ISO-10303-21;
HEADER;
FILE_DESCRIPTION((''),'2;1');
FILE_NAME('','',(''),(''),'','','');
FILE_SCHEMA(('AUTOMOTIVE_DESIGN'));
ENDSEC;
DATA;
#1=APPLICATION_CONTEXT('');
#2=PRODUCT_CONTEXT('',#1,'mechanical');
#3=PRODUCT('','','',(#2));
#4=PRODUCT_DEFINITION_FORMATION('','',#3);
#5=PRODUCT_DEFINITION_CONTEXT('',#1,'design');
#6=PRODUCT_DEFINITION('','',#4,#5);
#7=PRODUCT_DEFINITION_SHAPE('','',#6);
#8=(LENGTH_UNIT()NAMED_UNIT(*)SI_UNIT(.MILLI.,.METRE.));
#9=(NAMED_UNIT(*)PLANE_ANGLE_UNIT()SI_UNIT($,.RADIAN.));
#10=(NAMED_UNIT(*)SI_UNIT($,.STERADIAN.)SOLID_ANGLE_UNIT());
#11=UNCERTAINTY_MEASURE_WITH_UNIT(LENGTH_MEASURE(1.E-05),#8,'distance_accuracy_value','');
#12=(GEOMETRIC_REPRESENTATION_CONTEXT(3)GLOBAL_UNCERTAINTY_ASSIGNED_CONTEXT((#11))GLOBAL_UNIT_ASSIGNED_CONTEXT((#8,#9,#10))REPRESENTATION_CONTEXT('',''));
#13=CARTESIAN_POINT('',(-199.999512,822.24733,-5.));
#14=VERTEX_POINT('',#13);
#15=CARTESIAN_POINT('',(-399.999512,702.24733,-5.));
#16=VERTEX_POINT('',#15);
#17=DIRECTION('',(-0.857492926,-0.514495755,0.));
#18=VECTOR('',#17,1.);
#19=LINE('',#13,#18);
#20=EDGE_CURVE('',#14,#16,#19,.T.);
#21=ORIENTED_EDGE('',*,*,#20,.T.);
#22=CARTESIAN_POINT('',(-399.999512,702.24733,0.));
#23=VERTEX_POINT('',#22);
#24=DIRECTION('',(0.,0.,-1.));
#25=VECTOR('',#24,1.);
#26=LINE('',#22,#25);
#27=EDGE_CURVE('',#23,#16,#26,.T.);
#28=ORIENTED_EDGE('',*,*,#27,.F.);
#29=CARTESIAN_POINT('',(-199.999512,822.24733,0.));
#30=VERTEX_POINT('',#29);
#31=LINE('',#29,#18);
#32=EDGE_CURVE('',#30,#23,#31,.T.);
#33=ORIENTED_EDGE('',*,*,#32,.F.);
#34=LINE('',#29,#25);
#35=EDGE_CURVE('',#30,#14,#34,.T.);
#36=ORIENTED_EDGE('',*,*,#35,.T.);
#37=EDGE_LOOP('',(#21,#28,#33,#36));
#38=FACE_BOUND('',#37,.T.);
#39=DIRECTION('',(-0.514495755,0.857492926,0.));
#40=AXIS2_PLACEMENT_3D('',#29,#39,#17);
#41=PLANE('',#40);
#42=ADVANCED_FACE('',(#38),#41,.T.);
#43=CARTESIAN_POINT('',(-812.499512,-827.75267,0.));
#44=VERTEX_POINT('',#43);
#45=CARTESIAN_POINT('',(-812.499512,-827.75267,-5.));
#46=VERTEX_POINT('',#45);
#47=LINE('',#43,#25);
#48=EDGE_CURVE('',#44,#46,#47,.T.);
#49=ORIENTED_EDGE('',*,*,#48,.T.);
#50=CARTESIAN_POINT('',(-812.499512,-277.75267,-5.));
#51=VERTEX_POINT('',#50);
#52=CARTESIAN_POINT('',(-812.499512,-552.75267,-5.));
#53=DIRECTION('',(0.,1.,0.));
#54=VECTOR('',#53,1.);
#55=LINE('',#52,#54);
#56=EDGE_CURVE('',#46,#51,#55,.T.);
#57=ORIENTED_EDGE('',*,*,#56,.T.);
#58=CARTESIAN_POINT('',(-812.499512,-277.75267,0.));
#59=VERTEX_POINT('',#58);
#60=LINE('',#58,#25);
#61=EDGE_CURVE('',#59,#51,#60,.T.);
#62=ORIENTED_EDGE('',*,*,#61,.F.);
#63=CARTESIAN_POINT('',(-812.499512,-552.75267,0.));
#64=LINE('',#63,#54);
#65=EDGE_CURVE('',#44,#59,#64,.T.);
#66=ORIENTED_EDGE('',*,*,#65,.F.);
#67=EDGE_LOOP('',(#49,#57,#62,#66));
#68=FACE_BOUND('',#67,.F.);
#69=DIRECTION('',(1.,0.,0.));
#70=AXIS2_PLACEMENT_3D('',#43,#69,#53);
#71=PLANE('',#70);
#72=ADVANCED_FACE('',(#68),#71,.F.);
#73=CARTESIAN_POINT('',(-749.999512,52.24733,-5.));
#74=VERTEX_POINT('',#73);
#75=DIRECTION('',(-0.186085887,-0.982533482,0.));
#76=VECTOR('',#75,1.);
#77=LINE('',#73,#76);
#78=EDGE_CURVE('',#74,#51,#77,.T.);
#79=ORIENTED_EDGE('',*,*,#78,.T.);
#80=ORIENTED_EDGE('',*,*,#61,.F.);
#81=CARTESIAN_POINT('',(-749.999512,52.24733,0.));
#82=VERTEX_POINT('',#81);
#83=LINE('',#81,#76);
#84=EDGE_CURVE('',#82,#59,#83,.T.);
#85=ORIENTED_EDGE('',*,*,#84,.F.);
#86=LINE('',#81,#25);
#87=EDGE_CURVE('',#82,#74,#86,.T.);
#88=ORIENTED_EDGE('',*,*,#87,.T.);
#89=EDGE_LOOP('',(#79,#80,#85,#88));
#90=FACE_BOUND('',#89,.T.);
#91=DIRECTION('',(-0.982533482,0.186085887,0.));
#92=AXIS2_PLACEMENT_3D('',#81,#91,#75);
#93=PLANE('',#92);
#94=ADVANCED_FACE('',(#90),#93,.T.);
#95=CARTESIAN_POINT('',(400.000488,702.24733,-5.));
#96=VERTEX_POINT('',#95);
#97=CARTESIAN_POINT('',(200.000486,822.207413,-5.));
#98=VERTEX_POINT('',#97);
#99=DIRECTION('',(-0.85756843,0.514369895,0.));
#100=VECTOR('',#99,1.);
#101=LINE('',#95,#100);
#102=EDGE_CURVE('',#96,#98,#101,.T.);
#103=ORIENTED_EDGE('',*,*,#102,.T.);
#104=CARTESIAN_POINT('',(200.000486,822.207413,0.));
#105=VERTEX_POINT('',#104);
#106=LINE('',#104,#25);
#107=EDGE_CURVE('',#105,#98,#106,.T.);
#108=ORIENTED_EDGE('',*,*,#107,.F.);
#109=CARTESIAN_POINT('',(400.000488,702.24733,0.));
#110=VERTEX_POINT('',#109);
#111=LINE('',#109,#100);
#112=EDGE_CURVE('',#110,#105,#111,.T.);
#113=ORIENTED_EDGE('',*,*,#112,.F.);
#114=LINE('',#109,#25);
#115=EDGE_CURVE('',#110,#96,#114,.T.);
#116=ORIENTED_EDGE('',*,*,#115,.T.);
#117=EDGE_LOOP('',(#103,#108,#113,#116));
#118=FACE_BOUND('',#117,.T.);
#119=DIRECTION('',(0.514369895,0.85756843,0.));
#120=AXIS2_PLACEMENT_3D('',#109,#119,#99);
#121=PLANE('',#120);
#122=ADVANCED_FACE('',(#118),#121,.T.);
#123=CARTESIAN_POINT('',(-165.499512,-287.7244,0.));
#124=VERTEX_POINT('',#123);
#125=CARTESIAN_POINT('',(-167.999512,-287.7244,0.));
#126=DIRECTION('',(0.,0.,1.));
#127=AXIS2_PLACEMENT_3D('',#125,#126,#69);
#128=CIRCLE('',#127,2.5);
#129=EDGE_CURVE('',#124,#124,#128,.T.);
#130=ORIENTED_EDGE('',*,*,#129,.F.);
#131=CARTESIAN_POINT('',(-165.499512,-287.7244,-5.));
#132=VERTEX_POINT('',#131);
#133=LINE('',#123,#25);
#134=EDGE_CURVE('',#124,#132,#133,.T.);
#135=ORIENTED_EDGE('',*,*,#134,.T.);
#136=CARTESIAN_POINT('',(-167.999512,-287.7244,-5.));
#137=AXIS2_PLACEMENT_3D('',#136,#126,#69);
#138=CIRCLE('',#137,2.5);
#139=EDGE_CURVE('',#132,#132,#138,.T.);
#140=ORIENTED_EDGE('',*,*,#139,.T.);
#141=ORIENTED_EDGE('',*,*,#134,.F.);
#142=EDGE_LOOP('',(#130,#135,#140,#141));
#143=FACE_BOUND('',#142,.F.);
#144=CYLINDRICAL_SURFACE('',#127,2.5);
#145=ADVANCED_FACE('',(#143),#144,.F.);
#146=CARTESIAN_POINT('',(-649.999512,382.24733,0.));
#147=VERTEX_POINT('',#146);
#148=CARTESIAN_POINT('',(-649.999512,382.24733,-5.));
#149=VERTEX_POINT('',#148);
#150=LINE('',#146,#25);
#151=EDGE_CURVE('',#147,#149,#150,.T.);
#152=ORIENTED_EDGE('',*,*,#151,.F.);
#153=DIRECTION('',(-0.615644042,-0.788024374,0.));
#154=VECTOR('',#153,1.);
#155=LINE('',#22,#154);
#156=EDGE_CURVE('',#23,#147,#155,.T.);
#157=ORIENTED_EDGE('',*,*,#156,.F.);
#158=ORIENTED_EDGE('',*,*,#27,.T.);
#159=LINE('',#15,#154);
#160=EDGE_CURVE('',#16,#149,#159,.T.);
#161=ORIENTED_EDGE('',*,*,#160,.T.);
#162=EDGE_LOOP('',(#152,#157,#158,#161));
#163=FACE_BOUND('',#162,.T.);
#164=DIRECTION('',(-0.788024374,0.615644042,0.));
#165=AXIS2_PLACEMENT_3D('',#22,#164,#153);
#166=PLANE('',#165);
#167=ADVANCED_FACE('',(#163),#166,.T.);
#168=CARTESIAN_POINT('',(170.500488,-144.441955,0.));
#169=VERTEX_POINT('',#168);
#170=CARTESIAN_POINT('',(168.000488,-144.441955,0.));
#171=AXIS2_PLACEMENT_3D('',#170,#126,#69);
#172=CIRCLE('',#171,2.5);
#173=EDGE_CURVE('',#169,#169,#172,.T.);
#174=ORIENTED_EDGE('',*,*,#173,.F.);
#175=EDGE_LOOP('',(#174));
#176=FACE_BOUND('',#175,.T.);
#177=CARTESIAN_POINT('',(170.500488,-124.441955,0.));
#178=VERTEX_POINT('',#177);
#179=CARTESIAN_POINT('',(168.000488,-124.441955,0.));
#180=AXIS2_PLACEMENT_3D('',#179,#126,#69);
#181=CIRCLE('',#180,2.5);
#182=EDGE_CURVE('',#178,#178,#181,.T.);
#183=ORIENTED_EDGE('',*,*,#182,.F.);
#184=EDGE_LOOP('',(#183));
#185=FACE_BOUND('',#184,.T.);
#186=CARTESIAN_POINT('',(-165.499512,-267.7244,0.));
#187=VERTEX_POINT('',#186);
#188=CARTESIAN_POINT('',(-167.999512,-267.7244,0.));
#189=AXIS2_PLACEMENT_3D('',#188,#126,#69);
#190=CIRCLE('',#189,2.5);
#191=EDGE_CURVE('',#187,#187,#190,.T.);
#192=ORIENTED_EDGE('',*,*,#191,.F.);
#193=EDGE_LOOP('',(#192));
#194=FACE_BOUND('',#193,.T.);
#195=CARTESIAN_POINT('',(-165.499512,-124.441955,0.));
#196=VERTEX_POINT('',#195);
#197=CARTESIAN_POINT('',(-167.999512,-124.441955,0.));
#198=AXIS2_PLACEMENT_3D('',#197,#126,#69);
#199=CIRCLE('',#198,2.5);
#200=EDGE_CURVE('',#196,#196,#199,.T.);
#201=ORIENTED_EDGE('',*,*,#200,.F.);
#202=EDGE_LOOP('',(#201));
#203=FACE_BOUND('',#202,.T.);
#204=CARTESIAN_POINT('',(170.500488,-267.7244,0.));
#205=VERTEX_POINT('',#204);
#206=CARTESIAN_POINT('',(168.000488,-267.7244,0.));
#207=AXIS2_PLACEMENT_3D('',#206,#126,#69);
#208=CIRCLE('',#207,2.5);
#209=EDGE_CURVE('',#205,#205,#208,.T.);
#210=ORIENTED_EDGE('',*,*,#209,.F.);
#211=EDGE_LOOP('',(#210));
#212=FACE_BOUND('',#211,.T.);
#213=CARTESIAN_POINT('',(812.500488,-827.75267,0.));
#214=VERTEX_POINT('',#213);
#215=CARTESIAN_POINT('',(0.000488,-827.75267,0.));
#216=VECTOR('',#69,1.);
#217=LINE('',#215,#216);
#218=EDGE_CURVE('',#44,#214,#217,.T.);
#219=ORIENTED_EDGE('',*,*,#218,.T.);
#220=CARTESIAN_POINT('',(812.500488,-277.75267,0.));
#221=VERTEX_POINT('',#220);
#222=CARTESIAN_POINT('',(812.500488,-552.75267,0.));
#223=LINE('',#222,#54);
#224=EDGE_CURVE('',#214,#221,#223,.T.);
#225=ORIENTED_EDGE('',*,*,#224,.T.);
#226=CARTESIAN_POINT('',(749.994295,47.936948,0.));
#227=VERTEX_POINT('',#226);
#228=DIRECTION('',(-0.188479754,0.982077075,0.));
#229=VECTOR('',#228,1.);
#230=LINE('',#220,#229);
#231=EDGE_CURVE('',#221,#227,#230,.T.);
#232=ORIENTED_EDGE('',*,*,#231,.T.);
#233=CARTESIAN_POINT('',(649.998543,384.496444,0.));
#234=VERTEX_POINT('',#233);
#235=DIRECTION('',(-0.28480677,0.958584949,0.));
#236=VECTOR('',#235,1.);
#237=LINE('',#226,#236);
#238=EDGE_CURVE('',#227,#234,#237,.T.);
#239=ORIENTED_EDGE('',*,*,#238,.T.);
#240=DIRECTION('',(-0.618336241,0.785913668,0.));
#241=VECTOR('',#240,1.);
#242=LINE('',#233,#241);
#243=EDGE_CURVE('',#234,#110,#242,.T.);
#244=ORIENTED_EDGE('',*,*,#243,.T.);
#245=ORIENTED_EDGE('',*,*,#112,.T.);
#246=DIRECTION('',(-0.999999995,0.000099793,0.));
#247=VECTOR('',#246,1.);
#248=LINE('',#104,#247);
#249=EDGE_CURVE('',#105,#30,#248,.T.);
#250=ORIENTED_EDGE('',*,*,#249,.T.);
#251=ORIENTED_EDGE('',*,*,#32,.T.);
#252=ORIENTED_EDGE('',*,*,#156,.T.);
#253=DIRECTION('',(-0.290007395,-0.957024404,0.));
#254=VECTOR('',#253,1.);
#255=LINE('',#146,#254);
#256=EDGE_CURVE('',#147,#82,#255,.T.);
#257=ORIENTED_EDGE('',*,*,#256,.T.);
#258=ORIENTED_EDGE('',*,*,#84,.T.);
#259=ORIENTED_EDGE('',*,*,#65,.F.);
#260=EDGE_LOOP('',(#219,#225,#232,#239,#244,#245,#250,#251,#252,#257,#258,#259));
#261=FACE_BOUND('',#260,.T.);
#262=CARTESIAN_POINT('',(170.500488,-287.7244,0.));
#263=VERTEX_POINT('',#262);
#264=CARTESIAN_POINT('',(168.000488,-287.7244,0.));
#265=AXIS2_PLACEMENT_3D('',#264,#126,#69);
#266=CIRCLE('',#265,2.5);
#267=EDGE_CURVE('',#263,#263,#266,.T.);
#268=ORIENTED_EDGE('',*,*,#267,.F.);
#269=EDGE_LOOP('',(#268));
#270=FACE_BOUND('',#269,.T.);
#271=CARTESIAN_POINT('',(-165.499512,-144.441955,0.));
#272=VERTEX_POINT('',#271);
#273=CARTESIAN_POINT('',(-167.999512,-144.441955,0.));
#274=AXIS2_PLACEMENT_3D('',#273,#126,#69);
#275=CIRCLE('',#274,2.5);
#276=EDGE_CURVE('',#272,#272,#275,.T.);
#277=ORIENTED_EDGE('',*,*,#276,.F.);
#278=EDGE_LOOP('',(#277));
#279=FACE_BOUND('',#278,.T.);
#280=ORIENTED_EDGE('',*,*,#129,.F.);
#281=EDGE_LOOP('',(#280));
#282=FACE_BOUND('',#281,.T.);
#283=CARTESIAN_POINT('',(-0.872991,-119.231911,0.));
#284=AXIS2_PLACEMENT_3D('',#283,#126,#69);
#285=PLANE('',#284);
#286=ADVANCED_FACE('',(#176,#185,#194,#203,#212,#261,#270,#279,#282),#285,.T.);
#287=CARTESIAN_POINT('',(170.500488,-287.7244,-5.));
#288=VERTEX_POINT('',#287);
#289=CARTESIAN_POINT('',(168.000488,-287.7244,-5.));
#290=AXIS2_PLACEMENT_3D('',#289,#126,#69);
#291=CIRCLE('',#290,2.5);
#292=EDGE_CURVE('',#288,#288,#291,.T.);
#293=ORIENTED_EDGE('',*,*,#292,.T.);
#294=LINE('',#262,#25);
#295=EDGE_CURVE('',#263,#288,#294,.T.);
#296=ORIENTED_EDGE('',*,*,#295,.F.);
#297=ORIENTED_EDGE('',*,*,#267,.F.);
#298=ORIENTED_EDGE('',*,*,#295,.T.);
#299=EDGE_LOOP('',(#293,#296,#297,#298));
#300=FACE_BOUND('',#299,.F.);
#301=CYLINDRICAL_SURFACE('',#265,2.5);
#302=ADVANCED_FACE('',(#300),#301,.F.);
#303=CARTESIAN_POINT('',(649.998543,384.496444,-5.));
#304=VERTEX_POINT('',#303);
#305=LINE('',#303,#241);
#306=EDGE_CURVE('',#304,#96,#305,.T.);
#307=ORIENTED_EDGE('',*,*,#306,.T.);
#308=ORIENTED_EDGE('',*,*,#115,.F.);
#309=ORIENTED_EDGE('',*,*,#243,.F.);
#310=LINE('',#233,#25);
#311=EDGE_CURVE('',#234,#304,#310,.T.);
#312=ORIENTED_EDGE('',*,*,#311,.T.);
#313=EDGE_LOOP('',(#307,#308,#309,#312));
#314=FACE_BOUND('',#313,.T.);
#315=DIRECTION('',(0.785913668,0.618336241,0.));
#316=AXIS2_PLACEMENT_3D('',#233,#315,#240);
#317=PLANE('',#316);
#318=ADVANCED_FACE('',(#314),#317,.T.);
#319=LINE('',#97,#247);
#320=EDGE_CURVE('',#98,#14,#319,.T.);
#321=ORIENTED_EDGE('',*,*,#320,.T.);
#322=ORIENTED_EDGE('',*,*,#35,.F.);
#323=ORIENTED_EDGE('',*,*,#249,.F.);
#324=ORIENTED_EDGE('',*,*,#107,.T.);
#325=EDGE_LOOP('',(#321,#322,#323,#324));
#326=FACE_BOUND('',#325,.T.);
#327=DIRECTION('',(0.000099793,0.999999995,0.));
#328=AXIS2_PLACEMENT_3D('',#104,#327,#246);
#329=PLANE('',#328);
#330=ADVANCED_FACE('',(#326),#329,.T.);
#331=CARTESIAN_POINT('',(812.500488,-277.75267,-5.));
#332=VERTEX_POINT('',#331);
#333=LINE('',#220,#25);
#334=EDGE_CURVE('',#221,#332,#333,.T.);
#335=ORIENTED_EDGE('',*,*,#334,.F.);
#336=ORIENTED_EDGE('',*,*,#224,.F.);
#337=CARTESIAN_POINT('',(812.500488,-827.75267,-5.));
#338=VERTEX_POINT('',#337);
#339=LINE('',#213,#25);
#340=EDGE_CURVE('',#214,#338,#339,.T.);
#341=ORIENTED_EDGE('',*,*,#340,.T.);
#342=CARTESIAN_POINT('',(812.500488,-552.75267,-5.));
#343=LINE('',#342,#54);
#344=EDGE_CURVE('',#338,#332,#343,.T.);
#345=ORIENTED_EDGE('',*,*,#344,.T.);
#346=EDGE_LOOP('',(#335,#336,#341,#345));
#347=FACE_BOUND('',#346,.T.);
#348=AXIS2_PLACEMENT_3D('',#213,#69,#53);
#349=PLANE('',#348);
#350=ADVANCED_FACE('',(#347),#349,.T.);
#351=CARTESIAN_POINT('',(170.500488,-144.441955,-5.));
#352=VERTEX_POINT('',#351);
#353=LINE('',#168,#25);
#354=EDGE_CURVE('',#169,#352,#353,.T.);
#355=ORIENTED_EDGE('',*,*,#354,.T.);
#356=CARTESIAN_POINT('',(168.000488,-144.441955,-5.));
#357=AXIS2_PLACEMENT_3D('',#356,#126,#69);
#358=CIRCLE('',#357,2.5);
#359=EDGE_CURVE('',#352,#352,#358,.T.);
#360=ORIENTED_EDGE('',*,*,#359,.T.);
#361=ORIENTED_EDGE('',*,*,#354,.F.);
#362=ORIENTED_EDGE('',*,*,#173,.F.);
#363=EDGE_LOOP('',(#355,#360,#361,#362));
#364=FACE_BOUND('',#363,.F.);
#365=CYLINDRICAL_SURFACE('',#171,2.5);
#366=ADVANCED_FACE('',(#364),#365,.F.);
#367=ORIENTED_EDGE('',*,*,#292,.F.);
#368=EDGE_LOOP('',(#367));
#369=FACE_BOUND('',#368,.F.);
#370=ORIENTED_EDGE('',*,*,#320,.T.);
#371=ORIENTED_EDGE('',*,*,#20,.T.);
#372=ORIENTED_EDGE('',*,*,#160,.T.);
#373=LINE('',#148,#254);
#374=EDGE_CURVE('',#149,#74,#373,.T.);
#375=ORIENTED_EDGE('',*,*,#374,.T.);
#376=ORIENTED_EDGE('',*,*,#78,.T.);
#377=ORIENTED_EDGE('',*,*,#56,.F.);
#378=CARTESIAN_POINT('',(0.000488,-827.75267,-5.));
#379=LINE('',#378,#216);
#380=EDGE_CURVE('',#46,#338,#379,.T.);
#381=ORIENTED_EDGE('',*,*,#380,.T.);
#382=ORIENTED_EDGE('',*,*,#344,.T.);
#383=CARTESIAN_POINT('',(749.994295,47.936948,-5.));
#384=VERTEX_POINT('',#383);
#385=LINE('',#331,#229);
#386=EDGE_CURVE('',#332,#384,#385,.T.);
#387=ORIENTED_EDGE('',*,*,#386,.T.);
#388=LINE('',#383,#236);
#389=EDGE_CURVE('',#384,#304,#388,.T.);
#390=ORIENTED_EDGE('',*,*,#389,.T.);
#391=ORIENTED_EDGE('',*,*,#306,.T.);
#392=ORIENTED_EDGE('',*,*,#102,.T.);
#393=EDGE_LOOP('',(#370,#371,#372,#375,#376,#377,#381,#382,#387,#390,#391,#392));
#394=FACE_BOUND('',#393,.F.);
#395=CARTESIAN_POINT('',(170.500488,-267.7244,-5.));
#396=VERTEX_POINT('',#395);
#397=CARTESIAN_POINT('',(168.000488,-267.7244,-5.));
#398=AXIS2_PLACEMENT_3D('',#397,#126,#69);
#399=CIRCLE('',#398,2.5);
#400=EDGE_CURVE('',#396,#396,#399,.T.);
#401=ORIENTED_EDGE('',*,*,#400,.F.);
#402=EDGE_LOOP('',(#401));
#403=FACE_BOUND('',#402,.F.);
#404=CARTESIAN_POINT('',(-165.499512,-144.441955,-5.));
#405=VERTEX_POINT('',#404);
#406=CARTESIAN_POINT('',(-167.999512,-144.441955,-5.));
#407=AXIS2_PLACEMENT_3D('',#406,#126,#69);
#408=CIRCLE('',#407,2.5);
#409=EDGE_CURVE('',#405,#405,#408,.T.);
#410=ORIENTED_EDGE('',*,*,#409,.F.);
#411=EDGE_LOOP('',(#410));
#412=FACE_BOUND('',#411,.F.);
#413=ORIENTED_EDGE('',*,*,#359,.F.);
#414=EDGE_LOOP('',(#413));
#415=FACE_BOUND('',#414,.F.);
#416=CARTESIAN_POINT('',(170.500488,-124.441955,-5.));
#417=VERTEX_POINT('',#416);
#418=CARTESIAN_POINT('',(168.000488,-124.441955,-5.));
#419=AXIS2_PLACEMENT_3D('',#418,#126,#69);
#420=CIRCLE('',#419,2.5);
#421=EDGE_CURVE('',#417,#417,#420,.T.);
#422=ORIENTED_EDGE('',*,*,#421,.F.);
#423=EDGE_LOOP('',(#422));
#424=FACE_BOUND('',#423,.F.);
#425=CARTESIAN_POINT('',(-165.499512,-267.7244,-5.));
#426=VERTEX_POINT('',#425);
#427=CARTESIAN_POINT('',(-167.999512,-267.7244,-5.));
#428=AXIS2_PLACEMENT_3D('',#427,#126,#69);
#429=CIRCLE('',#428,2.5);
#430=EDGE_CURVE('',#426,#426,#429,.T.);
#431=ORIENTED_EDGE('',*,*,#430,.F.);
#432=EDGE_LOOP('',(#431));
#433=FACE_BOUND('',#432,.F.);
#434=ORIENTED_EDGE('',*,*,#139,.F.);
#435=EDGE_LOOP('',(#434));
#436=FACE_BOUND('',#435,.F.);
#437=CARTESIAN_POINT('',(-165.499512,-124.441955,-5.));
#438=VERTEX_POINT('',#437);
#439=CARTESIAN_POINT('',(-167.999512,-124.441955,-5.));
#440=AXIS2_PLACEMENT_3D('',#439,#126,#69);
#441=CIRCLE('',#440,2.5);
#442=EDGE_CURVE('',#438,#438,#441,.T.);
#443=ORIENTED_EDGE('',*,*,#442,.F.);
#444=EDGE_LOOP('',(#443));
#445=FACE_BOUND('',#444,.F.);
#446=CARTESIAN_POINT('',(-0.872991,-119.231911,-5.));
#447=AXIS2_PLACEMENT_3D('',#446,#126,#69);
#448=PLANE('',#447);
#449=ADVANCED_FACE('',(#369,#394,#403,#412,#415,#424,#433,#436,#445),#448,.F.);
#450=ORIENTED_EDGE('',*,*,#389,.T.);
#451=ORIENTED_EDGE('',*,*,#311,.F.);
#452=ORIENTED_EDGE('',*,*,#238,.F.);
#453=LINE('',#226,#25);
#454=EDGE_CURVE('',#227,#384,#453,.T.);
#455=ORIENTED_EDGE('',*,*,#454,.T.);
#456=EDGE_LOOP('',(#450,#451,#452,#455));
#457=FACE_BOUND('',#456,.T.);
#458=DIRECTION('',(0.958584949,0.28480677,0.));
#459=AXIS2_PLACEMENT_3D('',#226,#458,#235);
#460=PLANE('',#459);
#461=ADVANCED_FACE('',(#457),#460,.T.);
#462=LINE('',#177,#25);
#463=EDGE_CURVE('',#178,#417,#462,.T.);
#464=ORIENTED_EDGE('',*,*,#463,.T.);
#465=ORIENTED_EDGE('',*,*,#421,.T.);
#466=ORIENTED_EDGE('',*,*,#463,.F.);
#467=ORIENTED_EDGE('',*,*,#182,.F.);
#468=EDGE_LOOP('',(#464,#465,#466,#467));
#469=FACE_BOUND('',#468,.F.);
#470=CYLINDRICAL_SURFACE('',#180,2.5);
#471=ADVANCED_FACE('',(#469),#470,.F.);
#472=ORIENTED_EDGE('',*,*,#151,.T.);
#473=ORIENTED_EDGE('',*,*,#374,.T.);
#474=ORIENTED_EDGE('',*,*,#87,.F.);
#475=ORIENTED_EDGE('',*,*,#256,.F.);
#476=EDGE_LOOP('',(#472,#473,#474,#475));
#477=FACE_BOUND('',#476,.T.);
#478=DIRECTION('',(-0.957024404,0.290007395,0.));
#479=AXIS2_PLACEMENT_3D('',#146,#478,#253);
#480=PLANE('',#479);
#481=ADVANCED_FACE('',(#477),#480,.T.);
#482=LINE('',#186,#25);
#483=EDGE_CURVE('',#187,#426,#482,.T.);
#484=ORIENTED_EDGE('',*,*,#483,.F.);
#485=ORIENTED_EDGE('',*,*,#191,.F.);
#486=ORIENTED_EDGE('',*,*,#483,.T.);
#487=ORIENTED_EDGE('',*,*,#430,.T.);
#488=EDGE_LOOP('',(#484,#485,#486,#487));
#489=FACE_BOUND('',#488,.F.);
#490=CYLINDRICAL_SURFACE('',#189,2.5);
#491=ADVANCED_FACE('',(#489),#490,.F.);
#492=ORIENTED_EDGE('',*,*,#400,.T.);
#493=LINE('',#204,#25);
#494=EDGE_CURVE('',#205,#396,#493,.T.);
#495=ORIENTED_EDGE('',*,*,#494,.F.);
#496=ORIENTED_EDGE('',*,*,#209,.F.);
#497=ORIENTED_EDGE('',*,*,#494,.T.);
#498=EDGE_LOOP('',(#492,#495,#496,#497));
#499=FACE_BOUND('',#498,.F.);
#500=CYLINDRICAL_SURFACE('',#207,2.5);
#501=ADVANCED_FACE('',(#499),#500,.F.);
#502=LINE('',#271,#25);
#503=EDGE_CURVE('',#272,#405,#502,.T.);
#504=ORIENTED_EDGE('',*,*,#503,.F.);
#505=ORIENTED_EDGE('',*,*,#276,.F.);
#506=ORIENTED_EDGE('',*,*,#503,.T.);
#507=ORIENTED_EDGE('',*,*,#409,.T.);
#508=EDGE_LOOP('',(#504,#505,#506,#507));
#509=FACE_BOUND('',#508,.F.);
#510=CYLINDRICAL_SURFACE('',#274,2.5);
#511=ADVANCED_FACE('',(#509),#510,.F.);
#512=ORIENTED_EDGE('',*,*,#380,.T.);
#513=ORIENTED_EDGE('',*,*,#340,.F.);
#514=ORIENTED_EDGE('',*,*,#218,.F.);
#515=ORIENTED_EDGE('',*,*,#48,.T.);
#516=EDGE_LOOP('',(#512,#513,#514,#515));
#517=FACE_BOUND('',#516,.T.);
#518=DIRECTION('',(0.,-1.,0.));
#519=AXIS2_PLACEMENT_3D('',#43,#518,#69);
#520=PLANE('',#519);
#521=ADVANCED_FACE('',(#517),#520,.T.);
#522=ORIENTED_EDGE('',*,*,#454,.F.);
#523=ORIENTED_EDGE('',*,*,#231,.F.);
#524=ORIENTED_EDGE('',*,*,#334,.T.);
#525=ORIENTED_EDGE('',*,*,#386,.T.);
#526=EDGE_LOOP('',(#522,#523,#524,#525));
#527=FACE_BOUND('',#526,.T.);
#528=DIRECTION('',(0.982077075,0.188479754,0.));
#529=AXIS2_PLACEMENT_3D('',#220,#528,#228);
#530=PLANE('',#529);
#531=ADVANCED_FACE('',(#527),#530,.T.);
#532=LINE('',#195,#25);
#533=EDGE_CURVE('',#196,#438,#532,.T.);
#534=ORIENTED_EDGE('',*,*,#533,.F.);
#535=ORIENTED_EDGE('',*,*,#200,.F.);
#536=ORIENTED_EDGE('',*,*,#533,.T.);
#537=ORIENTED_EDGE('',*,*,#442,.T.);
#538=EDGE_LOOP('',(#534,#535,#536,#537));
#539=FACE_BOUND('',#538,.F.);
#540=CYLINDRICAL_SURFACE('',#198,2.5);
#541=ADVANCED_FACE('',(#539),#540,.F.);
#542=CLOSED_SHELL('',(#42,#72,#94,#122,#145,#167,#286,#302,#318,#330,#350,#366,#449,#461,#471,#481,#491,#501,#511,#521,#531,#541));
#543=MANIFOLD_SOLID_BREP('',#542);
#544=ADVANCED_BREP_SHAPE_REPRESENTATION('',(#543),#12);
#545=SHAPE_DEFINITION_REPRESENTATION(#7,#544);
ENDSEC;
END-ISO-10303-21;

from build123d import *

# Parameters (mm, degrees)
F0_R     = 2.5
F0_W     = 1625
F0_H     = 550
F1_DEPTH = 5


with BuildPart() as f1:
    # F0 (on Top) → F1 (new body)
    with BuildSketch(Plane.XY):
        Polygon((-749.999512, 52.24733), (-812.499512, -277.75267), (812.500488, -277.75267), (749.994295, 47.936948), align=None)
        with Locations((-167.999512, -267.7244)):
            Circle(F0_R, mode=Mode.SUBTRACT)
        with Locations((-167.999512, -144.441955)):
            Circle(F0_R, mode=Mode.SUBTRACT)
        with Locations((-167.999512, -124.441955)):
            Circle(F0_R, mode=Mode.SUBTRACT)
        with Locations((168.000488, -267.7244)):
            Circle(F0_R, mode=Mode.SUBTRACT)
        with Locations((168.000488, -144.441955)):
            Circle(F0_R, mode=Mode.SUBTRACT)
        with Locations((168.000488, -124.441955)):
            Circle(F0_R, mode=Mode.SUBTRACT)
        with Locations((0.000488, -552.75267)):
            Rectangle(F0_W, F0_H)
        with Locations((-167.999512, -287.7244)):
            Circle(F0_R, mode=Mode.SUBTRACT)
        with Locations((168.000488, -287.7244)):
            Circle(F0_R, mode=Mode.SUBTRACT)
        Polygon((-649.999512, 382.24733), (-749.999512, 52.24733), (749.994295, 47.936948), (649.998543, 384.496444), align=None)
        Polygon((-399.999512, 702.24733), (-649.999512, 382.24733), (649.998543, 384.496444), (400.000488, 702.24733), align=None)
        Polygon((-199.999512, 822.24733), (-399.999512, 702.24733), (400.000488, 702.24733), (200.000486, 822.207413), align=None)
    extrude(amount=-F1_DEPTH)


solid = f1.part
